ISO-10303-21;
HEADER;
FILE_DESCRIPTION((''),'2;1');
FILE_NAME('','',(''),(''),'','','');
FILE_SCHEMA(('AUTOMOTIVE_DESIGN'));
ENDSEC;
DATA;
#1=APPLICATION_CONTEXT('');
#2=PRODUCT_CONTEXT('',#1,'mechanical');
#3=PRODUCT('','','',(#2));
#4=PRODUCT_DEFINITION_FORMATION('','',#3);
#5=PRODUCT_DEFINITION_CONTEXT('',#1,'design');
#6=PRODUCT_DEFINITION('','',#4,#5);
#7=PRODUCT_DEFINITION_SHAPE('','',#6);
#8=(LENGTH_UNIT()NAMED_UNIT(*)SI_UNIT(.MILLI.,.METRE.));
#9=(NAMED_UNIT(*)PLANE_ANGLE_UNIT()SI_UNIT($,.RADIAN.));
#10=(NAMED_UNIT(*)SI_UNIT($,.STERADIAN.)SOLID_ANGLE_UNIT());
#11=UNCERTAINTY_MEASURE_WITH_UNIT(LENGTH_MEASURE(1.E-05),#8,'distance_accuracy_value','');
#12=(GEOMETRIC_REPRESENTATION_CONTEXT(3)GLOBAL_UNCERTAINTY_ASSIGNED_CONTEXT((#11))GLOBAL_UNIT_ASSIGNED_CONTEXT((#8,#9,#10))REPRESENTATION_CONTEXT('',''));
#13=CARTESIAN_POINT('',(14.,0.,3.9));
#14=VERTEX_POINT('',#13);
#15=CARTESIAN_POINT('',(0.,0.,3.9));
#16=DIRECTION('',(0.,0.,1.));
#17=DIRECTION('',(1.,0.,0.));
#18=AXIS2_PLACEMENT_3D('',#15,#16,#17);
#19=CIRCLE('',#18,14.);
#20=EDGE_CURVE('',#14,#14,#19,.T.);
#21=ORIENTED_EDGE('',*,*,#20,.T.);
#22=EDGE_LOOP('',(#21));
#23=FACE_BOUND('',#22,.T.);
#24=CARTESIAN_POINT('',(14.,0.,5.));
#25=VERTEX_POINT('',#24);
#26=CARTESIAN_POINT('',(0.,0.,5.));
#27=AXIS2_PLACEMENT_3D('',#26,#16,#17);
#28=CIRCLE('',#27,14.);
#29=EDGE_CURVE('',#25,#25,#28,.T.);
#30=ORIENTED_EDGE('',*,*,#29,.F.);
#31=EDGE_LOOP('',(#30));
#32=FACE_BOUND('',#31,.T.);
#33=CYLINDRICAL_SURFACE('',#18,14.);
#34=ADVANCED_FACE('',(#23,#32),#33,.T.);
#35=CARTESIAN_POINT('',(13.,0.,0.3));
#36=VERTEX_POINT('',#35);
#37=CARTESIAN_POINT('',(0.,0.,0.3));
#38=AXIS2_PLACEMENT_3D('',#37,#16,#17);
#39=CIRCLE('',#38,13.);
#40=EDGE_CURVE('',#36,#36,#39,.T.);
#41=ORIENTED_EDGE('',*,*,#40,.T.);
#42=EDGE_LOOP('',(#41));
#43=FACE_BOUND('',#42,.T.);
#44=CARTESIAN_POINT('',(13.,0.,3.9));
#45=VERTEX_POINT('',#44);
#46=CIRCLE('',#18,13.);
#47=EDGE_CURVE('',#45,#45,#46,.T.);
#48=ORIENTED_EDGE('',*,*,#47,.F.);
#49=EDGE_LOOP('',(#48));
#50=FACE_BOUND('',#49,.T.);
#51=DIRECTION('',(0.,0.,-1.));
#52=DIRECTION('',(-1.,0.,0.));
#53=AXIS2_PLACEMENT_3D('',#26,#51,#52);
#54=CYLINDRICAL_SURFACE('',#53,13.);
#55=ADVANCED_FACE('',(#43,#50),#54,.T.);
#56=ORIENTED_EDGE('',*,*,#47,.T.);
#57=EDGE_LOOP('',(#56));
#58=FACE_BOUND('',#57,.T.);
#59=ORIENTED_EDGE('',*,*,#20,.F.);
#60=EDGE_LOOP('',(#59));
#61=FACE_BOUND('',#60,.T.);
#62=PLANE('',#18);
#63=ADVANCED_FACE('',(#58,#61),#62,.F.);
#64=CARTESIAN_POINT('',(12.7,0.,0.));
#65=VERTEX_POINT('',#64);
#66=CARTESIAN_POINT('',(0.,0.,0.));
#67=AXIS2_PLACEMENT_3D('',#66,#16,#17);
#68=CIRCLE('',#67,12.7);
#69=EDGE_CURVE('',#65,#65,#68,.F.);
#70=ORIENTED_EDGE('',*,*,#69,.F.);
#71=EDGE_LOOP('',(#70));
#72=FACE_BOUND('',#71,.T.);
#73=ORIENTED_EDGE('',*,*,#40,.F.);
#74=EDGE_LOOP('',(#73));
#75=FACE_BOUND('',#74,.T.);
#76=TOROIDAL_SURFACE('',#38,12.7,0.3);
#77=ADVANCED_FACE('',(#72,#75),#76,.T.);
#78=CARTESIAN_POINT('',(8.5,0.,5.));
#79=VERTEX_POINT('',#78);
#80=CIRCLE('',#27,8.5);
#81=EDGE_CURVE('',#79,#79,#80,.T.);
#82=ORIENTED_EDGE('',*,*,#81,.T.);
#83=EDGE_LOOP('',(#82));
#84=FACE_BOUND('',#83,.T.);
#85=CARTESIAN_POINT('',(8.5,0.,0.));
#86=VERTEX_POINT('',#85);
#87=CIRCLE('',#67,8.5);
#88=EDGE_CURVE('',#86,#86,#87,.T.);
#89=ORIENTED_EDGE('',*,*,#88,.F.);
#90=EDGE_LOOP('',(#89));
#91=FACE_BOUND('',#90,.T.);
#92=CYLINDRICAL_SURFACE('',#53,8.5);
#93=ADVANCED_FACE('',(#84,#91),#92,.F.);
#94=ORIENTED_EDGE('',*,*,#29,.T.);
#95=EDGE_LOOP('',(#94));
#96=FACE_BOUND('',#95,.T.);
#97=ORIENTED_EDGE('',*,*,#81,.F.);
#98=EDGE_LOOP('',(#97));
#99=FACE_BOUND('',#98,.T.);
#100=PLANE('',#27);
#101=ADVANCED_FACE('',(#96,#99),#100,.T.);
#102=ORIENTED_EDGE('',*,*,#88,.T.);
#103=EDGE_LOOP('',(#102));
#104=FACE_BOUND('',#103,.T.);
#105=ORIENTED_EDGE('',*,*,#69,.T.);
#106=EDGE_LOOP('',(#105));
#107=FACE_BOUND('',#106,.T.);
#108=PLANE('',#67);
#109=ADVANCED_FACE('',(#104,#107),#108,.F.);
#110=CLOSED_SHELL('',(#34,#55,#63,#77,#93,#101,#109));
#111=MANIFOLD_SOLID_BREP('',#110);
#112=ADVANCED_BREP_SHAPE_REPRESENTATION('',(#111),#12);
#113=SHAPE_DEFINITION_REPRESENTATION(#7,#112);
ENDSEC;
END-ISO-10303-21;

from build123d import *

# Parameters (mm, degrees)
SKETCH_1_R      = 13
SKETCH_1_R_2    = 8.5
EXTRUDE_1_DEPTH = 5
EXTRUDE_START   = -1.1
SKETCH_2_R      = 14
SKETCH_2_R_2    = 13
EXTRUDE_2_DEPTH = 1.1
FILLET_1_R      = 0.3


with BuildPart() as part:
    # 草图1 → 凸台-拉伸1 (new body)
    with BuildSketch(Plane.XY):
        Circle(SKETCH_1_R)
        Circle(SKETCH_1_R_2, mode=Mode.SUBTRACT)
    extrude(amount=EXTRUDE_1_DEPTH)

    # 草图2 → 凸台-拉伸2 (add)
    with BuildSketch(Plane.XY.offset(5).offset(EXTRUDE_START)):
        Circle(SKETCH_2_R)
        Circle(SKETCH_2_R_2, mode=Mode.SUBTRACT)
    extrude(amount=EXTRUDE_2_DEPTH)

    # 圆角1
    fillet_1_edges = [part.edges().sort_by_distance(p)[0] for p in [
        (-13, 0, 0),
    ]]
    fillet(fillet_1_edges, radius=FILLET_1_R)


solid = part.part
